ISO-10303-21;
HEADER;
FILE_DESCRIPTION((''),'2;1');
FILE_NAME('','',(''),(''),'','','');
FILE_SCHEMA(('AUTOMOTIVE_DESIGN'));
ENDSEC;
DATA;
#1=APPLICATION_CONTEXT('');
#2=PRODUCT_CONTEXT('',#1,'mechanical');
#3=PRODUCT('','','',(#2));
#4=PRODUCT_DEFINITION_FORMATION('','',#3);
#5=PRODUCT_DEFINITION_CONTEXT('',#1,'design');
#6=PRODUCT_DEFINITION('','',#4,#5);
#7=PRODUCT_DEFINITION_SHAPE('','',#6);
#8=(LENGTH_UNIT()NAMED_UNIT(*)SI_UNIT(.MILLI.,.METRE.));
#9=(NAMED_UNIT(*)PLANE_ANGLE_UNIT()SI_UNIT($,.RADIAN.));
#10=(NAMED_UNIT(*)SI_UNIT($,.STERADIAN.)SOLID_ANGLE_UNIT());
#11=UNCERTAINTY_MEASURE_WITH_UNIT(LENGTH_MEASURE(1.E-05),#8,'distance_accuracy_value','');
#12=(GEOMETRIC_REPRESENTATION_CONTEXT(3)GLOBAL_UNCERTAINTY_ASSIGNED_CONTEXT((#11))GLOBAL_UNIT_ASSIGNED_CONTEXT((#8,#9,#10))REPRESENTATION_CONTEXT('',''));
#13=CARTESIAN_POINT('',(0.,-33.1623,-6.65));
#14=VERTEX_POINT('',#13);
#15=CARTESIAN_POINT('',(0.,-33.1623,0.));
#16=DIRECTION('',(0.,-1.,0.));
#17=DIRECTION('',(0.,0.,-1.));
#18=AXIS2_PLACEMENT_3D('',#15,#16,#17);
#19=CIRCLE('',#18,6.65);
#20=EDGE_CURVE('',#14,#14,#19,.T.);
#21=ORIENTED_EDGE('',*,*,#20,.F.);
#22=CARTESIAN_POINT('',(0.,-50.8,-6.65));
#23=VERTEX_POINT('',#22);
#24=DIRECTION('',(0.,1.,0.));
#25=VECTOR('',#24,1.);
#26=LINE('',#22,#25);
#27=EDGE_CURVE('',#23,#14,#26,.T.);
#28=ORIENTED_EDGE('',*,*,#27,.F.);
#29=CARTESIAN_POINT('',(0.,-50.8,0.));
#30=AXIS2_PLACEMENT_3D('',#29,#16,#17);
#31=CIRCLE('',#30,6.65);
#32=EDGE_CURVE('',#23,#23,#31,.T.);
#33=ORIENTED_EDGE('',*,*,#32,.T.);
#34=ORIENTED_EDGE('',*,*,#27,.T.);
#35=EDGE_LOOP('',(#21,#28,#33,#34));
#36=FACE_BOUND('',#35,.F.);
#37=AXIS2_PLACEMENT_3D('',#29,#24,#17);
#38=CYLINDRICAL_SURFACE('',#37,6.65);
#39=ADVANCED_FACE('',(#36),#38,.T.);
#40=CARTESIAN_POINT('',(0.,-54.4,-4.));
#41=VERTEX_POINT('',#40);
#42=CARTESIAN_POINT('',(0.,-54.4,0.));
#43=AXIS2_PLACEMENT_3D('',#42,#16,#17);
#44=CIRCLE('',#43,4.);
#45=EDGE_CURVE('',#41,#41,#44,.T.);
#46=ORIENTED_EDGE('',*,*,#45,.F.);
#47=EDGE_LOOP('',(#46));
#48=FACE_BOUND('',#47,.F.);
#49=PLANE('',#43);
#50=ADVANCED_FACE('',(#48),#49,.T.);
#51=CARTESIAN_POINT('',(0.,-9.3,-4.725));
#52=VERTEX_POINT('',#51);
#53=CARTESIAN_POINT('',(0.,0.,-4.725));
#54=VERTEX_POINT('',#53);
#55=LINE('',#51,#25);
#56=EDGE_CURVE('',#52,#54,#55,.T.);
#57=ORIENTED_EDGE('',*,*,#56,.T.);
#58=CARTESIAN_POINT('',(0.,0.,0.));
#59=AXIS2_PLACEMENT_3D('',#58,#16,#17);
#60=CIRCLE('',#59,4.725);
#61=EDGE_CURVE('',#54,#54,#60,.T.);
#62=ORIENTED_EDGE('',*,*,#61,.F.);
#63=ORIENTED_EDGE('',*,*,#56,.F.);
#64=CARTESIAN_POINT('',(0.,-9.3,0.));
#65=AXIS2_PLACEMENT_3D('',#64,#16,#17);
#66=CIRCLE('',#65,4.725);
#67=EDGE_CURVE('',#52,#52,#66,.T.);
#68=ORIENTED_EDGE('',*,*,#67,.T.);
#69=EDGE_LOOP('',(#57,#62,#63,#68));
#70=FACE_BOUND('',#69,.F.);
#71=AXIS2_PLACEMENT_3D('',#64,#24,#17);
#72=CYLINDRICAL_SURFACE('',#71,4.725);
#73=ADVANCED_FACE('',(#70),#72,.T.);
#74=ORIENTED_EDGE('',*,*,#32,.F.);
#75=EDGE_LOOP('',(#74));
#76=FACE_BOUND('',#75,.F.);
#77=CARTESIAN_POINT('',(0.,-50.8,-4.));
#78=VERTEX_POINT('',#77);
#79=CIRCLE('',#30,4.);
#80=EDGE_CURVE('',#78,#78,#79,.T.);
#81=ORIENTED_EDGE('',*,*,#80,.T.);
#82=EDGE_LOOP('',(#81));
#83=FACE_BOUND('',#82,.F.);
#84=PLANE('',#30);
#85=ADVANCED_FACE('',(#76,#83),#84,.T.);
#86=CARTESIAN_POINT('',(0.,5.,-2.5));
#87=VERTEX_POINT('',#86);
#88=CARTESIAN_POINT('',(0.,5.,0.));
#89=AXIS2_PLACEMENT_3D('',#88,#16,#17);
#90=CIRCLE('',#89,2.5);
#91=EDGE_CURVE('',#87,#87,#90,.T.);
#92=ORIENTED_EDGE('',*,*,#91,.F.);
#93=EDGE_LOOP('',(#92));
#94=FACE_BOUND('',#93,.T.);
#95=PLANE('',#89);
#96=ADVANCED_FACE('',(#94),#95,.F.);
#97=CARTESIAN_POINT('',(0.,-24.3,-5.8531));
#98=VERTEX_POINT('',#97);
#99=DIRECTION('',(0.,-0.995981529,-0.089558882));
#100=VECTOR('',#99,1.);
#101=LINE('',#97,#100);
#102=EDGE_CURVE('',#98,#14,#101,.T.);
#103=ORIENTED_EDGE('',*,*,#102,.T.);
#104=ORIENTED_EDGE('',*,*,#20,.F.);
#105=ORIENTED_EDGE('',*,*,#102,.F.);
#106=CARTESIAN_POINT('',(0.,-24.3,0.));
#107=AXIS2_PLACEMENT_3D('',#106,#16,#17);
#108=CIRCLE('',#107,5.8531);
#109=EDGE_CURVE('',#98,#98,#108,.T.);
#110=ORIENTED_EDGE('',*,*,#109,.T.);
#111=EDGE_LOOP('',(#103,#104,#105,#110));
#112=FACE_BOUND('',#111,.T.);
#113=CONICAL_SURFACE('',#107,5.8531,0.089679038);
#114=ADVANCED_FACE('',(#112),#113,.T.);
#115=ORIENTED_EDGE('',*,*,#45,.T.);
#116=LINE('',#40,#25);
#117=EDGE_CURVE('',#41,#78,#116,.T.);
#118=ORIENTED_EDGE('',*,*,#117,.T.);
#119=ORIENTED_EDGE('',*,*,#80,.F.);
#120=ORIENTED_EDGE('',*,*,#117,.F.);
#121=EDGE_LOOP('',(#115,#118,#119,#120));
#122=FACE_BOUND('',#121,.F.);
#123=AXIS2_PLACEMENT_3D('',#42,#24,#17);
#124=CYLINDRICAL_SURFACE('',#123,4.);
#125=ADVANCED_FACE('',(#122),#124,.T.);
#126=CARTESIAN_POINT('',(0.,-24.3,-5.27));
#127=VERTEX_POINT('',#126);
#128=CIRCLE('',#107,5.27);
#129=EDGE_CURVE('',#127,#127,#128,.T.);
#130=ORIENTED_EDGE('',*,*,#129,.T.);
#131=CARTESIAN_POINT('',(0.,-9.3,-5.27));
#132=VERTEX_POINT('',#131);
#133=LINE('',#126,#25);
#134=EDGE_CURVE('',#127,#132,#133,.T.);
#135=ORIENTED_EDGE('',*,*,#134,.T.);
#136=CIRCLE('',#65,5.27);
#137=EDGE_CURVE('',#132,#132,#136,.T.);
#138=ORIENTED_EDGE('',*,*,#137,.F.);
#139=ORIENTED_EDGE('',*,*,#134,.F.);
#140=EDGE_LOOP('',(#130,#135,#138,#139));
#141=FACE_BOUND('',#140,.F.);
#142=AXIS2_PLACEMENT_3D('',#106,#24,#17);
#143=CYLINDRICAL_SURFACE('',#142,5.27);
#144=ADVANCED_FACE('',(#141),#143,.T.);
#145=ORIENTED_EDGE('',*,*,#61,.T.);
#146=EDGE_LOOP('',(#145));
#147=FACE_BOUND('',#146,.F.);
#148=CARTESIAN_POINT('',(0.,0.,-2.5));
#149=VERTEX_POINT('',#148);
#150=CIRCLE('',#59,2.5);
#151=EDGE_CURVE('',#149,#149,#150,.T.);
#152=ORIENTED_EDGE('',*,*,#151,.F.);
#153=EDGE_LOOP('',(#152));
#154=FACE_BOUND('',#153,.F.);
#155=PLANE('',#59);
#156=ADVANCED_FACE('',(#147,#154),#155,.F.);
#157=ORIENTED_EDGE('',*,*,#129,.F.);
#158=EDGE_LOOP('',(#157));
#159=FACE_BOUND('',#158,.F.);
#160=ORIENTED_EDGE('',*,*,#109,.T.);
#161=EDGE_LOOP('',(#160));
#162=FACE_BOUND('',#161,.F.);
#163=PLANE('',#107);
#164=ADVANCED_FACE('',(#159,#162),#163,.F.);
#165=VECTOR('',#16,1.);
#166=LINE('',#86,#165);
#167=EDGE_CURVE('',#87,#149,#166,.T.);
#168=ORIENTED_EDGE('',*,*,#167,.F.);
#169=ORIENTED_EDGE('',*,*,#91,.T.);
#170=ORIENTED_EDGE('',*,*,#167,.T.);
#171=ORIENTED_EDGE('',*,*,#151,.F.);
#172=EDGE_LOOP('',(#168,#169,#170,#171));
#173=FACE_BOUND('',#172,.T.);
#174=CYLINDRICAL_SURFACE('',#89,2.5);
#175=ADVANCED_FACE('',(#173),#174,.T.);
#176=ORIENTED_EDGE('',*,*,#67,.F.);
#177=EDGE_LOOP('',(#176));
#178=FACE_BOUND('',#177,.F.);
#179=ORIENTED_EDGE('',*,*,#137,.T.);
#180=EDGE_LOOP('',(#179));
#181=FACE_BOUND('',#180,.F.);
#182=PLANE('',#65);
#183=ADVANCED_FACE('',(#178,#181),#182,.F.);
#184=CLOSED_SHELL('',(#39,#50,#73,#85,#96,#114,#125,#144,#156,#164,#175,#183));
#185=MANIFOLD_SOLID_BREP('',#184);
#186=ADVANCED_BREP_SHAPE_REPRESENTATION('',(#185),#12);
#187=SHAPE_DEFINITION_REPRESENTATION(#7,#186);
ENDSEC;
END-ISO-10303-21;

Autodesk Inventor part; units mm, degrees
ref_plane "YZ Plane" through (0, 0, 0) normal (1, 0, 0) x (0, 1, 0)
ref_plane "XZ Plane" through (0, 0, 0) normal (0, 1, 0) x (-1, 0, 0)
ref_plane "XY Plane" through (0, 0, 0) normal (0, 0, 1) x (1, 0, 0)
sketch "Sketch1" plane through (0, 0, 0) normal (1, 0, 0) x (0, 1, 0)
  line L0 (0, 0) -> (-9.3, 0)
  line L1 (-9.3, 0) -> (-9.3, -4.725)
  line L2 (-9.3, -4.725) -> (0, -4.725)
  line L3 (0, -4.725) -> (0, 0)
  line L4 (0, 0) -> (5, 0)
  line L5 (5, 0) -> (5, -2.5)
  line L6 (5, -2.5) -> (0, -2.5)
  line L7 (0, -2.5) -> (0, 0)
  line L8 (-9.3, 0) -> (-24.3, 0)
  line L9 (-24.3, 0) -> (-24.3, -5.27)
  line L10 (-24.3, -5.27) -> (-9.3, -5.27)
  line L11 (-9.3, -5.27) -> (-9.3, 0)
  line L12 (-24.3, 0) -> (-50.8, 0)
  line L13 (-50.8, 0) -> (-50.8, -6.65)
  line L14 (-50.8, -6.65) -> (-24.3, -6.65)
  line L15 (-24.3, -5.8531) -> (-24.3, 0)
  line L16 (-50.8, 0) -> (-54.4, 0)
  line L17 (-54.4, 0) -> (-54.4, -4)
  line L18 (-54.4, -4) -> (-50.8, -4)
  line L19 (-50.8, -4) -> (-50.8, 0)
  line L20 (-24.3, -5.8531) -> (-33.1623, -6.65)
  dimension "d0" = 9.3
  dimension "d1" = 4.725
  dimension "d2" = 5
  dimension "d3" = 2.5
  dimension "d4" = 15
  dimension "d5" = 26.5
  dimension "d6" = 6.65
  dimension "d7" = 5.27
  dimension "d8" = 3.6
  dimension "d9" = 4
revolve "Revolution1" add sketch "Sketch1" angle 360 about axis through (0, -9.3, 0) along (0, -1, 0)
properties part number "00_micrometer_xy-stage"
